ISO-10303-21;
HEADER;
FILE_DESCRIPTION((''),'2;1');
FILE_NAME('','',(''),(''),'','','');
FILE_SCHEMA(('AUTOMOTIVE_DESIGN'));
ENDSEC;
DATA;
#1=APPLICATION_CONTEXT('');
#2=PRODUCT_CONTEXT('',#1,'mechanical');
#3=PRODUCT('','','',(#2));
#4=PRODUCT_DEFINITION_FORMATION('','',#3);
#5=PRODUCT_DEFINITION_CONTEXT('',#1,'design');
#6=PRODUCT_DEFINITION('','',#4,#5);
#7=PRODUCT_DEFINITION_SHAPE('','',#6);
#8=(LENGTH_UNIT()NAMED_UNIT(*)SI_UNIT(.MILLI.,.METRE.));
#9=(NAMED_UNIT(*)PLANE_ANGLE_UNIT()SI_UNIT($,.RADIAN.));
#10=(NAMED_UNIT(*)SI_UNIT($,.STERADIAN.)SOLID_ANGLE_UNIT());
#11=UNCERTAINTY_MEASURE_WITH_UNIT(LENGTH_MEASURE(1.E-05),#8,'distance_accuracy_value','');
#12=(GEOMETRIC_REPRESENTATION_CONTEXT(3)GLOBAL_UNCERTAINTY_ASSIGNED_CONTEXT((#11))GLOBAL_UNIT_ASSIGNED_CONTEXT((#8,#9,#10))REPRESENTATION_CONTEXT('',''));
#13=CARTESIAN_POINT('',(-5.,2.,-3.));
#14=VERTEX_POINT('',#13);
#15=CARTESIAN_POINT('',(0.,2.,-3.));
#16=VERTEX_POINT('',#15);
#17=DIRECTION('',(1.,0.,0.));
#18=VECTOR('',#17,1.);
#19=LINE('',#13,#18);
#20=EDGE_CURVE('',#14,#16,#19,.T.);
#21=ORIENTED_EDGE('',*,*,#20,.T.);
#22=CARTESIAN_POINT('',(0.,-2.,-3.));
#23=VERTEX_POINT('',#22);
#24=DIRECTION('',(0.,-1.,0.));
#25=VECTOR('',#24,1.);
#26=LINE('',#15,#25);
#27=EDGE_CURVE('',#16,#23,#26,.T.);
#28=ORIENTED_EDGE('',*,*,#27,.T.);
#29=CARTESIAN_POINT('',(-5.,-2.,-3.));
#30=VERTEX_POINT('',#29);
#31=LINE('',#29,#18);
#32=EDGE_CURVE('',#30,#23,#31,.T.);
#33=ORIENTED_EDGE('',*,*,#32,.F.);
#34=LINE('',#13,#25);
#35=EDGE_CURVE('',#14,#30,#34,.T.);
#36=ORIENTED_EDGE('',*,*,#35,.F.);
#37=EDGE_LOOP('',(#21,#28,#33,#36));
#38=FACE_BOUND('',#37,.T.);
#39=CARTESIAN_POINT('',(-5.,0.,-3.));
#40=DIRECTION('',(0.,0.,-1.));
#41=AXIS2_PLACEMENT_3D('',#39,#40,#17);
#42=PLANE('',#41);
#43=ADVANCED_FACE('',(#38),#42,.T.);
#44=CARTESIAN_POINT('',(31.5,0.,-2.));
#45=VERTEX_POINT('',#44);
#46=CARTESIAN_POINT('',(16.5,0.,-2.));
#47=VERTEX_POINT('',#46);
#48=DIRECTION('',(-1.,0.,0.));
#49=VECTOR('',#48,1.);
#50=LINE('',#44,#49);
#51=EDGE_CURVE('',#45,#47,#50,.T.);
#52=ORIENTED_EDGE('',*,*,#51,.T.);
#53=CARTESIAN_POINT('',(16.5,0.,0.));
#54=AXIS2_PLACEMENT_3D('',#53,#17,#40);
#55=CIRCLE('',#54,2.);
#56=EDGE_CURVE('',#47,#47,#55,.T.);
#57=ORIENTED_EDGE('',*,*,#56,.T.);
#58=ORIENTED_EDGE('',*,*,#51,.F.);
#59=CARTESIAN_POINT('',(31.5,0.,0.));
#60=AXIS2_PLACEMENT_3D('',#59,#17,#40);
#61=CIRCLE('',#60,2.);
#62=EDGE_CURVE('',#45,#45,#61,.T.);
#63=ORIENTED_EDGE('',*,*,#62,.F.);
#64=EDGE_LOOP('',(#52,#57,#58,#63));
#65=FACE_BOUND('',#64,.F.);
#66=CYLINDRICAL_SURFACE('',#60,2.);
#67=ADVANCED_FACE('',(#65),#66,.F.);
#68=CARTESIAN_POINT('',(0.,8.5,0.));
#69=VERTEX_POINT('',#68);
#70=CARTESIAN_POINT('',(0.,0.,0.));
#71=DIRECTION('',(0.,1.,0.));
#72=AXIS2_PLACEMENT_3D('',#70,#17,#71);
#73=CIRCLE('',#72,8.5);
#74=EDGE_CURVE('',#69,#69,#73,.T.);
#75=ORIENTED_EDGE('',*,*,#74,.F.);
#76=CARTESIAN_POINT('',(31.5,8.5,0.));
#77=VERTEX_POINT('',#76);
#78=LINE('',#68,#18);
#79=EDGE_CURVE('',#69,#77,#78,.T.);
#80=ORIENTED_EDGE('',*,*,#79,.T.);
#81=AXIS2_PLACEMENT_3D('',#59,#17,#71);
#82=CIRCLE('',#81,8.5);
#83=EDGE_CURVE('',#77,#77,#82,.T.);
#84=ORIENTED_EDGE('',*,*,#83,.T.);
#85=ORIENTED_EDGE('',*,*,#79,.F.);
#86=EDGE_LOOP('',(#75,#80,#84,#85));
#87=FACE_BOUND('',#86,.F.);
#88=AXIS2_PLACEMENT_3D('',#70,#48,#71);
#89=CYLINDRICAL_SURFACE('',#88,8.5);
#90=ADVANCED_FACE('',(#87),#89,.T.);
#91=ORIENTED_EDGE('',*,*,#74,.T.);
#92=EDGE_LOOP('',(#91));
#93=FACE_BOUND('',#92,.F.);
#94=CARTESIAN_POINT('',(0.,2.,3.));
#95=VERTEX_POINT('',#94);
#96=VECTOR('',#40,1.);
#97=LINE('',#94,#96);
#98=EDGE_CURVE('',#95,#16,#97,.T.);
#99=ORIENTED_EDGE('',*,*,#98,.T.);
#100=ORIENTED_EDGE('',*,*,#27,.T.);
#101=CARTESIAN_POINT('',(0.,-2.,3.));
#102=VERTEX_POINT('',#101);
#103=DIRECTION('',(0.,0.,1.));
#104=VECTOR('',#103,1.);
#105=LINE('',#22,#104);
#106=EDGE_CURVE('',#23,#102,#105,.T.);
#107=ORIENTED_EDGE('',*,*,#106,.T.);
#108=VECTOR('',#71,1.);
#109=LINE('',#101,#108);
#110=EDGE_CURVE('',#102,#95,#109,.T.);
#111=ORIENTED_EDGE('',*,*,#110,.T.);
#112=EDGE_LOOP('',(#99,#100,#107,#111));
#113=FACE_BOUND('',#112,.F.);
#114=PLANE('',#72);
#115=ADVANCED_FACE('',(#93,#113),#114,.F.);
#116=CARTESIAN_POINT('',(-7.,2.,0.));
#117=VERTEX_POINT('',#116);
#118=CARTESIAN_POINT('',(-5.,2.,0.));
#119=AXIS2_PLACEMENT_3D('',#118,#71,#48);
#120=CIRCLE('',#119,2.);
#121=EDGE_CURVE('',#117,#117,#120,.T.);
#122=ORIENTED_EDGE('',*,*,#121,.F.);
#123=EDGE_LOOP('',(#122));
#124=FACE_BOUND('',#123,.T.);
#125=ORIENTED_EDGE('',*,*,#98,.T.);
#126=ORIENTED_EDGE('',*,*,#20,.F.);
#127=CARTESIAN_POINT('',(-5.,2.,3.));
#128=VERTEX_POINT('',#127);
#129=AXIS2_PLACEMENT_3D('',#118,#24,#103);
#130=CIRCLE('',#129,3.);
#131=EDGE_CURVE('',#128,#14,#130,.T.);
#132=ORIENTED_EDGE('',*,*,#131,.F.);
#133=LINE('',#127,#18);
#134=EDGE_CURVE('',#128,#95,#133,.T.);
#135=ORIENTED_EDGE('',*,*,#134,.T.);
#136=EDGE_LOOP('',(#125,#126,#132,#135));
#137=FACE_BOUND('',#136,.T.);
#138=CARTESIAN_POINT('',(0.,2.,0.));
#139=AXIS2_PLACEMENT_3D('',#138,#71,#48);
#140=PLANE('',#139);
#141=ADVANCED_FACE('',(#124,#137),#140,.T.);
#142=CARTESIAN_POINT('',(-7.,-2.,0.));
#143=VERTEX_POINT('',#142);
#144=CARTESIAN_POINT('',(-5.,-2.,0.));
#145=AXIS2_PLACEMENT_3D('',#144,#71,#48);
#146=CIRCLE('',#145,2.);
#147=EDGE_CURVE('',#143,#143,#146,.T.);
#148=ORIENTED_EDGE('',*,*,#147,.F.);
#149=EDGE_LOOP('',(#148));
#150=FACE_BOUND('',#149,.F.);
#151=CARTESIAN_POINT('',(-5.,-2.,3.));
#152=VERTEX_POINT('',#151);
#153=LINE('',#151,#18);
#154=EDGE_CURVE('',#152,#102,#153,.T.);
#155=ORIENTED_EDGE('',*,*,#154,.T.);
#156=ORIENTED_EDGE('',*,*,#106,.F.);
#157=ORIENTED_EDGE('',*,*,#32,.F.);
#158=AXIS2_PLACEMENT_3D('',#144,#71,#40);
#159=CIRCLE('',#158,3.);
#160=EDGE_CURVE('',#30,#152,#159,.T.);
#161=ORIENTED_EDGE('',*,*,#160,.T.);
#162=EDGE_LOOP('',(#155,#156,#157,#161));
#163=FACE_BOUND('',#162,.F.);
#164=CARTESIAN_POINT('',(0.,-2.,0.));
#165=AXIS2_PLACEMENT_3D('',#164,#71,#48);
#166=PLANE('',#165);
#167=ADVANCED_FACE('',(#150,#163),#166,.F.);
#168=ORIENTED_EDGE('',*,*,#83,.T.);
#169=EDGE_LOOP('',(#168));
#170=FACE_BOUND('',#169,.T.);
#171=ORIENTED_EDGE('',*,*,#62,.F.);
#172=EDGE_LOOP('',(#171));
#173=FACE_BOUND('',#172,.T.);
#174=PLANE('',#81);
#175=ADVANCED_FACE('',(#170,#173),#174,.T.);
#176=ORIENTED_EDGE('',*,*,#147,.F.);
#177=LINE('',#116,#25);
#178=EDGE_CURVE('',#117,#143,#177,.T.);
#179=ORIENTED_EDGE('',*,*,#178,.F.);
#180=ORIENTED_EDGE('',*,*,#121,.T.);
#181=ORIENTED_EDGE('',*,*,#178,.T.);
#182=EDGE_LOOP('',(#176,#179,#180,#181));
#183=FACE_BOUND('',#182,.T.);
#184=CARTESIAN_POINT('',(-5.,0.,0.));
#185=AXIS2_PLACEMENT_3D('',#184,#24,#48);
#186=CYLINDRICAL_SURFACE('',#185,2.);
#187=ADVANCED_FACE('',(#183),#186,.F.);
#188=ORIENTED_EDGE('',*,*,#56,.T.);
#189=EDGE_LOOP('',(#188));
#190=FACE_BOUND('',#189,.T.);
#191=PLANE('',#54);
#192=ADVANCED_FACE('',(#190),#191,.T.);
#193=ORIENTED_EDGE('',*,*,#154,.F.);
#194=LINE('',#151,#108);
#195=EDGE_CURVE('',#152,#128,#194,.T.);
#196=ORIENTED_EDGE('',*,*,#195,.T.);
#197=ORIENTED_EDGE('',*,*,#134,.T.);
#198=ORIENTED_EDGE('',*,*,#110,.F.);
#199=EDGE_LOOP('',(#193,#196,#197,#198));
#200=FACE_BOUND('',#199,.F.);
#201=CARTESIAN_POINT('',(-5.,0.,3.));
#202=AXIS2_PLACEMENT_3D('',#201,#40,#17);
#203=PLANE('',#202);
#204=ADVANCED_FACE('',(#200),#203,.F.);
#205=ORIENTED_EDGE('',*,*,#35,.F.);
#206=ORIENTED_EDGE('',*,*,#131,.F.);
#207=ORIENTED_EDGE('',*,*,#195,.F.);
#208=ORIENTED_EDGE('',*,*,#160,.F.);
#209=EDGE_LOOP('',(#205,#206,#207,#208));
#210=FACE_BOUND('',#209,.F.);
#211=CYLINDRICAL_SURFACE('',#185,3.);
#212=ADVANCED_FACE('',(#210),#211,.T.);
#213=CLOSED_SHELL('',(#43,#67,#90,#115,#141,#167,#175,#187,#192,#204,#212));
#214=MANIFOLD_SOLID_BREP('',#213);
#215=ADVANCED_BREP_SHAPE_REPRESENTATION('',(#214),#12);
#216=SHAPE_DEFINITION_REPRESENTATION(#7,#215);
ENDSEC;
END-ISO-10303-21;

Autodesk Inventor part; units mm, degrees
ref_plane "YZ Plane" through (0, 0, 0) normal (1, 0, 0) x (0, 1, 0)
ref_plane "XZ Plane" through (0, 0, 0) normal (0, 1, 0) x (-1, 0, 0)
ref_plane "XY Plane" through (0, 0, 0) normal (0, 0, 1) x (1, 0, 0)
sketch "スケッチ1" plane through (0, 0, 0) normal (1, 0, 0) x (0, 1, 0)
  circle A0 centre (0, 0) radius 8.5
  dimension "d0" = 17
extrude "押し出し1" add sketch "スケッチ1" along normal blind 31.5
sketch "スケッチ2" plane through (0, 0, 0) normal (0, 1, 0) x (-1, 0, 0)
  circle A0 centre (5, 0) radius 2
  circle A1 centre (5, 0) radius 3
  line L0 (0, 0) -> (0, 5.5308)
  line L1 (0, 5.5308) -> (0, -7.9673)
  line L2 (5, 3) -> (0, 3)
  line L3 (5, -3) -> (0, -3)
  dimension "d3" = 4
  dimension "d4" = 5
  dimension "d5" = 6
extrude "押し出し2" add sketch "スケッチ2" along normal mid plane 4
sketch "スケッチ3" plane through (31.5, 0, 0) normal (1, 0, 0) x (0, 0, -1)
  circle A0 centre (0, 0) radius 2
  dimension "d8" = 4
extrude "押し出し3" cut sketch "スケッチ3" against normal blind 15
properties part number "black-suspension-under" material "ABS プラスチック"
